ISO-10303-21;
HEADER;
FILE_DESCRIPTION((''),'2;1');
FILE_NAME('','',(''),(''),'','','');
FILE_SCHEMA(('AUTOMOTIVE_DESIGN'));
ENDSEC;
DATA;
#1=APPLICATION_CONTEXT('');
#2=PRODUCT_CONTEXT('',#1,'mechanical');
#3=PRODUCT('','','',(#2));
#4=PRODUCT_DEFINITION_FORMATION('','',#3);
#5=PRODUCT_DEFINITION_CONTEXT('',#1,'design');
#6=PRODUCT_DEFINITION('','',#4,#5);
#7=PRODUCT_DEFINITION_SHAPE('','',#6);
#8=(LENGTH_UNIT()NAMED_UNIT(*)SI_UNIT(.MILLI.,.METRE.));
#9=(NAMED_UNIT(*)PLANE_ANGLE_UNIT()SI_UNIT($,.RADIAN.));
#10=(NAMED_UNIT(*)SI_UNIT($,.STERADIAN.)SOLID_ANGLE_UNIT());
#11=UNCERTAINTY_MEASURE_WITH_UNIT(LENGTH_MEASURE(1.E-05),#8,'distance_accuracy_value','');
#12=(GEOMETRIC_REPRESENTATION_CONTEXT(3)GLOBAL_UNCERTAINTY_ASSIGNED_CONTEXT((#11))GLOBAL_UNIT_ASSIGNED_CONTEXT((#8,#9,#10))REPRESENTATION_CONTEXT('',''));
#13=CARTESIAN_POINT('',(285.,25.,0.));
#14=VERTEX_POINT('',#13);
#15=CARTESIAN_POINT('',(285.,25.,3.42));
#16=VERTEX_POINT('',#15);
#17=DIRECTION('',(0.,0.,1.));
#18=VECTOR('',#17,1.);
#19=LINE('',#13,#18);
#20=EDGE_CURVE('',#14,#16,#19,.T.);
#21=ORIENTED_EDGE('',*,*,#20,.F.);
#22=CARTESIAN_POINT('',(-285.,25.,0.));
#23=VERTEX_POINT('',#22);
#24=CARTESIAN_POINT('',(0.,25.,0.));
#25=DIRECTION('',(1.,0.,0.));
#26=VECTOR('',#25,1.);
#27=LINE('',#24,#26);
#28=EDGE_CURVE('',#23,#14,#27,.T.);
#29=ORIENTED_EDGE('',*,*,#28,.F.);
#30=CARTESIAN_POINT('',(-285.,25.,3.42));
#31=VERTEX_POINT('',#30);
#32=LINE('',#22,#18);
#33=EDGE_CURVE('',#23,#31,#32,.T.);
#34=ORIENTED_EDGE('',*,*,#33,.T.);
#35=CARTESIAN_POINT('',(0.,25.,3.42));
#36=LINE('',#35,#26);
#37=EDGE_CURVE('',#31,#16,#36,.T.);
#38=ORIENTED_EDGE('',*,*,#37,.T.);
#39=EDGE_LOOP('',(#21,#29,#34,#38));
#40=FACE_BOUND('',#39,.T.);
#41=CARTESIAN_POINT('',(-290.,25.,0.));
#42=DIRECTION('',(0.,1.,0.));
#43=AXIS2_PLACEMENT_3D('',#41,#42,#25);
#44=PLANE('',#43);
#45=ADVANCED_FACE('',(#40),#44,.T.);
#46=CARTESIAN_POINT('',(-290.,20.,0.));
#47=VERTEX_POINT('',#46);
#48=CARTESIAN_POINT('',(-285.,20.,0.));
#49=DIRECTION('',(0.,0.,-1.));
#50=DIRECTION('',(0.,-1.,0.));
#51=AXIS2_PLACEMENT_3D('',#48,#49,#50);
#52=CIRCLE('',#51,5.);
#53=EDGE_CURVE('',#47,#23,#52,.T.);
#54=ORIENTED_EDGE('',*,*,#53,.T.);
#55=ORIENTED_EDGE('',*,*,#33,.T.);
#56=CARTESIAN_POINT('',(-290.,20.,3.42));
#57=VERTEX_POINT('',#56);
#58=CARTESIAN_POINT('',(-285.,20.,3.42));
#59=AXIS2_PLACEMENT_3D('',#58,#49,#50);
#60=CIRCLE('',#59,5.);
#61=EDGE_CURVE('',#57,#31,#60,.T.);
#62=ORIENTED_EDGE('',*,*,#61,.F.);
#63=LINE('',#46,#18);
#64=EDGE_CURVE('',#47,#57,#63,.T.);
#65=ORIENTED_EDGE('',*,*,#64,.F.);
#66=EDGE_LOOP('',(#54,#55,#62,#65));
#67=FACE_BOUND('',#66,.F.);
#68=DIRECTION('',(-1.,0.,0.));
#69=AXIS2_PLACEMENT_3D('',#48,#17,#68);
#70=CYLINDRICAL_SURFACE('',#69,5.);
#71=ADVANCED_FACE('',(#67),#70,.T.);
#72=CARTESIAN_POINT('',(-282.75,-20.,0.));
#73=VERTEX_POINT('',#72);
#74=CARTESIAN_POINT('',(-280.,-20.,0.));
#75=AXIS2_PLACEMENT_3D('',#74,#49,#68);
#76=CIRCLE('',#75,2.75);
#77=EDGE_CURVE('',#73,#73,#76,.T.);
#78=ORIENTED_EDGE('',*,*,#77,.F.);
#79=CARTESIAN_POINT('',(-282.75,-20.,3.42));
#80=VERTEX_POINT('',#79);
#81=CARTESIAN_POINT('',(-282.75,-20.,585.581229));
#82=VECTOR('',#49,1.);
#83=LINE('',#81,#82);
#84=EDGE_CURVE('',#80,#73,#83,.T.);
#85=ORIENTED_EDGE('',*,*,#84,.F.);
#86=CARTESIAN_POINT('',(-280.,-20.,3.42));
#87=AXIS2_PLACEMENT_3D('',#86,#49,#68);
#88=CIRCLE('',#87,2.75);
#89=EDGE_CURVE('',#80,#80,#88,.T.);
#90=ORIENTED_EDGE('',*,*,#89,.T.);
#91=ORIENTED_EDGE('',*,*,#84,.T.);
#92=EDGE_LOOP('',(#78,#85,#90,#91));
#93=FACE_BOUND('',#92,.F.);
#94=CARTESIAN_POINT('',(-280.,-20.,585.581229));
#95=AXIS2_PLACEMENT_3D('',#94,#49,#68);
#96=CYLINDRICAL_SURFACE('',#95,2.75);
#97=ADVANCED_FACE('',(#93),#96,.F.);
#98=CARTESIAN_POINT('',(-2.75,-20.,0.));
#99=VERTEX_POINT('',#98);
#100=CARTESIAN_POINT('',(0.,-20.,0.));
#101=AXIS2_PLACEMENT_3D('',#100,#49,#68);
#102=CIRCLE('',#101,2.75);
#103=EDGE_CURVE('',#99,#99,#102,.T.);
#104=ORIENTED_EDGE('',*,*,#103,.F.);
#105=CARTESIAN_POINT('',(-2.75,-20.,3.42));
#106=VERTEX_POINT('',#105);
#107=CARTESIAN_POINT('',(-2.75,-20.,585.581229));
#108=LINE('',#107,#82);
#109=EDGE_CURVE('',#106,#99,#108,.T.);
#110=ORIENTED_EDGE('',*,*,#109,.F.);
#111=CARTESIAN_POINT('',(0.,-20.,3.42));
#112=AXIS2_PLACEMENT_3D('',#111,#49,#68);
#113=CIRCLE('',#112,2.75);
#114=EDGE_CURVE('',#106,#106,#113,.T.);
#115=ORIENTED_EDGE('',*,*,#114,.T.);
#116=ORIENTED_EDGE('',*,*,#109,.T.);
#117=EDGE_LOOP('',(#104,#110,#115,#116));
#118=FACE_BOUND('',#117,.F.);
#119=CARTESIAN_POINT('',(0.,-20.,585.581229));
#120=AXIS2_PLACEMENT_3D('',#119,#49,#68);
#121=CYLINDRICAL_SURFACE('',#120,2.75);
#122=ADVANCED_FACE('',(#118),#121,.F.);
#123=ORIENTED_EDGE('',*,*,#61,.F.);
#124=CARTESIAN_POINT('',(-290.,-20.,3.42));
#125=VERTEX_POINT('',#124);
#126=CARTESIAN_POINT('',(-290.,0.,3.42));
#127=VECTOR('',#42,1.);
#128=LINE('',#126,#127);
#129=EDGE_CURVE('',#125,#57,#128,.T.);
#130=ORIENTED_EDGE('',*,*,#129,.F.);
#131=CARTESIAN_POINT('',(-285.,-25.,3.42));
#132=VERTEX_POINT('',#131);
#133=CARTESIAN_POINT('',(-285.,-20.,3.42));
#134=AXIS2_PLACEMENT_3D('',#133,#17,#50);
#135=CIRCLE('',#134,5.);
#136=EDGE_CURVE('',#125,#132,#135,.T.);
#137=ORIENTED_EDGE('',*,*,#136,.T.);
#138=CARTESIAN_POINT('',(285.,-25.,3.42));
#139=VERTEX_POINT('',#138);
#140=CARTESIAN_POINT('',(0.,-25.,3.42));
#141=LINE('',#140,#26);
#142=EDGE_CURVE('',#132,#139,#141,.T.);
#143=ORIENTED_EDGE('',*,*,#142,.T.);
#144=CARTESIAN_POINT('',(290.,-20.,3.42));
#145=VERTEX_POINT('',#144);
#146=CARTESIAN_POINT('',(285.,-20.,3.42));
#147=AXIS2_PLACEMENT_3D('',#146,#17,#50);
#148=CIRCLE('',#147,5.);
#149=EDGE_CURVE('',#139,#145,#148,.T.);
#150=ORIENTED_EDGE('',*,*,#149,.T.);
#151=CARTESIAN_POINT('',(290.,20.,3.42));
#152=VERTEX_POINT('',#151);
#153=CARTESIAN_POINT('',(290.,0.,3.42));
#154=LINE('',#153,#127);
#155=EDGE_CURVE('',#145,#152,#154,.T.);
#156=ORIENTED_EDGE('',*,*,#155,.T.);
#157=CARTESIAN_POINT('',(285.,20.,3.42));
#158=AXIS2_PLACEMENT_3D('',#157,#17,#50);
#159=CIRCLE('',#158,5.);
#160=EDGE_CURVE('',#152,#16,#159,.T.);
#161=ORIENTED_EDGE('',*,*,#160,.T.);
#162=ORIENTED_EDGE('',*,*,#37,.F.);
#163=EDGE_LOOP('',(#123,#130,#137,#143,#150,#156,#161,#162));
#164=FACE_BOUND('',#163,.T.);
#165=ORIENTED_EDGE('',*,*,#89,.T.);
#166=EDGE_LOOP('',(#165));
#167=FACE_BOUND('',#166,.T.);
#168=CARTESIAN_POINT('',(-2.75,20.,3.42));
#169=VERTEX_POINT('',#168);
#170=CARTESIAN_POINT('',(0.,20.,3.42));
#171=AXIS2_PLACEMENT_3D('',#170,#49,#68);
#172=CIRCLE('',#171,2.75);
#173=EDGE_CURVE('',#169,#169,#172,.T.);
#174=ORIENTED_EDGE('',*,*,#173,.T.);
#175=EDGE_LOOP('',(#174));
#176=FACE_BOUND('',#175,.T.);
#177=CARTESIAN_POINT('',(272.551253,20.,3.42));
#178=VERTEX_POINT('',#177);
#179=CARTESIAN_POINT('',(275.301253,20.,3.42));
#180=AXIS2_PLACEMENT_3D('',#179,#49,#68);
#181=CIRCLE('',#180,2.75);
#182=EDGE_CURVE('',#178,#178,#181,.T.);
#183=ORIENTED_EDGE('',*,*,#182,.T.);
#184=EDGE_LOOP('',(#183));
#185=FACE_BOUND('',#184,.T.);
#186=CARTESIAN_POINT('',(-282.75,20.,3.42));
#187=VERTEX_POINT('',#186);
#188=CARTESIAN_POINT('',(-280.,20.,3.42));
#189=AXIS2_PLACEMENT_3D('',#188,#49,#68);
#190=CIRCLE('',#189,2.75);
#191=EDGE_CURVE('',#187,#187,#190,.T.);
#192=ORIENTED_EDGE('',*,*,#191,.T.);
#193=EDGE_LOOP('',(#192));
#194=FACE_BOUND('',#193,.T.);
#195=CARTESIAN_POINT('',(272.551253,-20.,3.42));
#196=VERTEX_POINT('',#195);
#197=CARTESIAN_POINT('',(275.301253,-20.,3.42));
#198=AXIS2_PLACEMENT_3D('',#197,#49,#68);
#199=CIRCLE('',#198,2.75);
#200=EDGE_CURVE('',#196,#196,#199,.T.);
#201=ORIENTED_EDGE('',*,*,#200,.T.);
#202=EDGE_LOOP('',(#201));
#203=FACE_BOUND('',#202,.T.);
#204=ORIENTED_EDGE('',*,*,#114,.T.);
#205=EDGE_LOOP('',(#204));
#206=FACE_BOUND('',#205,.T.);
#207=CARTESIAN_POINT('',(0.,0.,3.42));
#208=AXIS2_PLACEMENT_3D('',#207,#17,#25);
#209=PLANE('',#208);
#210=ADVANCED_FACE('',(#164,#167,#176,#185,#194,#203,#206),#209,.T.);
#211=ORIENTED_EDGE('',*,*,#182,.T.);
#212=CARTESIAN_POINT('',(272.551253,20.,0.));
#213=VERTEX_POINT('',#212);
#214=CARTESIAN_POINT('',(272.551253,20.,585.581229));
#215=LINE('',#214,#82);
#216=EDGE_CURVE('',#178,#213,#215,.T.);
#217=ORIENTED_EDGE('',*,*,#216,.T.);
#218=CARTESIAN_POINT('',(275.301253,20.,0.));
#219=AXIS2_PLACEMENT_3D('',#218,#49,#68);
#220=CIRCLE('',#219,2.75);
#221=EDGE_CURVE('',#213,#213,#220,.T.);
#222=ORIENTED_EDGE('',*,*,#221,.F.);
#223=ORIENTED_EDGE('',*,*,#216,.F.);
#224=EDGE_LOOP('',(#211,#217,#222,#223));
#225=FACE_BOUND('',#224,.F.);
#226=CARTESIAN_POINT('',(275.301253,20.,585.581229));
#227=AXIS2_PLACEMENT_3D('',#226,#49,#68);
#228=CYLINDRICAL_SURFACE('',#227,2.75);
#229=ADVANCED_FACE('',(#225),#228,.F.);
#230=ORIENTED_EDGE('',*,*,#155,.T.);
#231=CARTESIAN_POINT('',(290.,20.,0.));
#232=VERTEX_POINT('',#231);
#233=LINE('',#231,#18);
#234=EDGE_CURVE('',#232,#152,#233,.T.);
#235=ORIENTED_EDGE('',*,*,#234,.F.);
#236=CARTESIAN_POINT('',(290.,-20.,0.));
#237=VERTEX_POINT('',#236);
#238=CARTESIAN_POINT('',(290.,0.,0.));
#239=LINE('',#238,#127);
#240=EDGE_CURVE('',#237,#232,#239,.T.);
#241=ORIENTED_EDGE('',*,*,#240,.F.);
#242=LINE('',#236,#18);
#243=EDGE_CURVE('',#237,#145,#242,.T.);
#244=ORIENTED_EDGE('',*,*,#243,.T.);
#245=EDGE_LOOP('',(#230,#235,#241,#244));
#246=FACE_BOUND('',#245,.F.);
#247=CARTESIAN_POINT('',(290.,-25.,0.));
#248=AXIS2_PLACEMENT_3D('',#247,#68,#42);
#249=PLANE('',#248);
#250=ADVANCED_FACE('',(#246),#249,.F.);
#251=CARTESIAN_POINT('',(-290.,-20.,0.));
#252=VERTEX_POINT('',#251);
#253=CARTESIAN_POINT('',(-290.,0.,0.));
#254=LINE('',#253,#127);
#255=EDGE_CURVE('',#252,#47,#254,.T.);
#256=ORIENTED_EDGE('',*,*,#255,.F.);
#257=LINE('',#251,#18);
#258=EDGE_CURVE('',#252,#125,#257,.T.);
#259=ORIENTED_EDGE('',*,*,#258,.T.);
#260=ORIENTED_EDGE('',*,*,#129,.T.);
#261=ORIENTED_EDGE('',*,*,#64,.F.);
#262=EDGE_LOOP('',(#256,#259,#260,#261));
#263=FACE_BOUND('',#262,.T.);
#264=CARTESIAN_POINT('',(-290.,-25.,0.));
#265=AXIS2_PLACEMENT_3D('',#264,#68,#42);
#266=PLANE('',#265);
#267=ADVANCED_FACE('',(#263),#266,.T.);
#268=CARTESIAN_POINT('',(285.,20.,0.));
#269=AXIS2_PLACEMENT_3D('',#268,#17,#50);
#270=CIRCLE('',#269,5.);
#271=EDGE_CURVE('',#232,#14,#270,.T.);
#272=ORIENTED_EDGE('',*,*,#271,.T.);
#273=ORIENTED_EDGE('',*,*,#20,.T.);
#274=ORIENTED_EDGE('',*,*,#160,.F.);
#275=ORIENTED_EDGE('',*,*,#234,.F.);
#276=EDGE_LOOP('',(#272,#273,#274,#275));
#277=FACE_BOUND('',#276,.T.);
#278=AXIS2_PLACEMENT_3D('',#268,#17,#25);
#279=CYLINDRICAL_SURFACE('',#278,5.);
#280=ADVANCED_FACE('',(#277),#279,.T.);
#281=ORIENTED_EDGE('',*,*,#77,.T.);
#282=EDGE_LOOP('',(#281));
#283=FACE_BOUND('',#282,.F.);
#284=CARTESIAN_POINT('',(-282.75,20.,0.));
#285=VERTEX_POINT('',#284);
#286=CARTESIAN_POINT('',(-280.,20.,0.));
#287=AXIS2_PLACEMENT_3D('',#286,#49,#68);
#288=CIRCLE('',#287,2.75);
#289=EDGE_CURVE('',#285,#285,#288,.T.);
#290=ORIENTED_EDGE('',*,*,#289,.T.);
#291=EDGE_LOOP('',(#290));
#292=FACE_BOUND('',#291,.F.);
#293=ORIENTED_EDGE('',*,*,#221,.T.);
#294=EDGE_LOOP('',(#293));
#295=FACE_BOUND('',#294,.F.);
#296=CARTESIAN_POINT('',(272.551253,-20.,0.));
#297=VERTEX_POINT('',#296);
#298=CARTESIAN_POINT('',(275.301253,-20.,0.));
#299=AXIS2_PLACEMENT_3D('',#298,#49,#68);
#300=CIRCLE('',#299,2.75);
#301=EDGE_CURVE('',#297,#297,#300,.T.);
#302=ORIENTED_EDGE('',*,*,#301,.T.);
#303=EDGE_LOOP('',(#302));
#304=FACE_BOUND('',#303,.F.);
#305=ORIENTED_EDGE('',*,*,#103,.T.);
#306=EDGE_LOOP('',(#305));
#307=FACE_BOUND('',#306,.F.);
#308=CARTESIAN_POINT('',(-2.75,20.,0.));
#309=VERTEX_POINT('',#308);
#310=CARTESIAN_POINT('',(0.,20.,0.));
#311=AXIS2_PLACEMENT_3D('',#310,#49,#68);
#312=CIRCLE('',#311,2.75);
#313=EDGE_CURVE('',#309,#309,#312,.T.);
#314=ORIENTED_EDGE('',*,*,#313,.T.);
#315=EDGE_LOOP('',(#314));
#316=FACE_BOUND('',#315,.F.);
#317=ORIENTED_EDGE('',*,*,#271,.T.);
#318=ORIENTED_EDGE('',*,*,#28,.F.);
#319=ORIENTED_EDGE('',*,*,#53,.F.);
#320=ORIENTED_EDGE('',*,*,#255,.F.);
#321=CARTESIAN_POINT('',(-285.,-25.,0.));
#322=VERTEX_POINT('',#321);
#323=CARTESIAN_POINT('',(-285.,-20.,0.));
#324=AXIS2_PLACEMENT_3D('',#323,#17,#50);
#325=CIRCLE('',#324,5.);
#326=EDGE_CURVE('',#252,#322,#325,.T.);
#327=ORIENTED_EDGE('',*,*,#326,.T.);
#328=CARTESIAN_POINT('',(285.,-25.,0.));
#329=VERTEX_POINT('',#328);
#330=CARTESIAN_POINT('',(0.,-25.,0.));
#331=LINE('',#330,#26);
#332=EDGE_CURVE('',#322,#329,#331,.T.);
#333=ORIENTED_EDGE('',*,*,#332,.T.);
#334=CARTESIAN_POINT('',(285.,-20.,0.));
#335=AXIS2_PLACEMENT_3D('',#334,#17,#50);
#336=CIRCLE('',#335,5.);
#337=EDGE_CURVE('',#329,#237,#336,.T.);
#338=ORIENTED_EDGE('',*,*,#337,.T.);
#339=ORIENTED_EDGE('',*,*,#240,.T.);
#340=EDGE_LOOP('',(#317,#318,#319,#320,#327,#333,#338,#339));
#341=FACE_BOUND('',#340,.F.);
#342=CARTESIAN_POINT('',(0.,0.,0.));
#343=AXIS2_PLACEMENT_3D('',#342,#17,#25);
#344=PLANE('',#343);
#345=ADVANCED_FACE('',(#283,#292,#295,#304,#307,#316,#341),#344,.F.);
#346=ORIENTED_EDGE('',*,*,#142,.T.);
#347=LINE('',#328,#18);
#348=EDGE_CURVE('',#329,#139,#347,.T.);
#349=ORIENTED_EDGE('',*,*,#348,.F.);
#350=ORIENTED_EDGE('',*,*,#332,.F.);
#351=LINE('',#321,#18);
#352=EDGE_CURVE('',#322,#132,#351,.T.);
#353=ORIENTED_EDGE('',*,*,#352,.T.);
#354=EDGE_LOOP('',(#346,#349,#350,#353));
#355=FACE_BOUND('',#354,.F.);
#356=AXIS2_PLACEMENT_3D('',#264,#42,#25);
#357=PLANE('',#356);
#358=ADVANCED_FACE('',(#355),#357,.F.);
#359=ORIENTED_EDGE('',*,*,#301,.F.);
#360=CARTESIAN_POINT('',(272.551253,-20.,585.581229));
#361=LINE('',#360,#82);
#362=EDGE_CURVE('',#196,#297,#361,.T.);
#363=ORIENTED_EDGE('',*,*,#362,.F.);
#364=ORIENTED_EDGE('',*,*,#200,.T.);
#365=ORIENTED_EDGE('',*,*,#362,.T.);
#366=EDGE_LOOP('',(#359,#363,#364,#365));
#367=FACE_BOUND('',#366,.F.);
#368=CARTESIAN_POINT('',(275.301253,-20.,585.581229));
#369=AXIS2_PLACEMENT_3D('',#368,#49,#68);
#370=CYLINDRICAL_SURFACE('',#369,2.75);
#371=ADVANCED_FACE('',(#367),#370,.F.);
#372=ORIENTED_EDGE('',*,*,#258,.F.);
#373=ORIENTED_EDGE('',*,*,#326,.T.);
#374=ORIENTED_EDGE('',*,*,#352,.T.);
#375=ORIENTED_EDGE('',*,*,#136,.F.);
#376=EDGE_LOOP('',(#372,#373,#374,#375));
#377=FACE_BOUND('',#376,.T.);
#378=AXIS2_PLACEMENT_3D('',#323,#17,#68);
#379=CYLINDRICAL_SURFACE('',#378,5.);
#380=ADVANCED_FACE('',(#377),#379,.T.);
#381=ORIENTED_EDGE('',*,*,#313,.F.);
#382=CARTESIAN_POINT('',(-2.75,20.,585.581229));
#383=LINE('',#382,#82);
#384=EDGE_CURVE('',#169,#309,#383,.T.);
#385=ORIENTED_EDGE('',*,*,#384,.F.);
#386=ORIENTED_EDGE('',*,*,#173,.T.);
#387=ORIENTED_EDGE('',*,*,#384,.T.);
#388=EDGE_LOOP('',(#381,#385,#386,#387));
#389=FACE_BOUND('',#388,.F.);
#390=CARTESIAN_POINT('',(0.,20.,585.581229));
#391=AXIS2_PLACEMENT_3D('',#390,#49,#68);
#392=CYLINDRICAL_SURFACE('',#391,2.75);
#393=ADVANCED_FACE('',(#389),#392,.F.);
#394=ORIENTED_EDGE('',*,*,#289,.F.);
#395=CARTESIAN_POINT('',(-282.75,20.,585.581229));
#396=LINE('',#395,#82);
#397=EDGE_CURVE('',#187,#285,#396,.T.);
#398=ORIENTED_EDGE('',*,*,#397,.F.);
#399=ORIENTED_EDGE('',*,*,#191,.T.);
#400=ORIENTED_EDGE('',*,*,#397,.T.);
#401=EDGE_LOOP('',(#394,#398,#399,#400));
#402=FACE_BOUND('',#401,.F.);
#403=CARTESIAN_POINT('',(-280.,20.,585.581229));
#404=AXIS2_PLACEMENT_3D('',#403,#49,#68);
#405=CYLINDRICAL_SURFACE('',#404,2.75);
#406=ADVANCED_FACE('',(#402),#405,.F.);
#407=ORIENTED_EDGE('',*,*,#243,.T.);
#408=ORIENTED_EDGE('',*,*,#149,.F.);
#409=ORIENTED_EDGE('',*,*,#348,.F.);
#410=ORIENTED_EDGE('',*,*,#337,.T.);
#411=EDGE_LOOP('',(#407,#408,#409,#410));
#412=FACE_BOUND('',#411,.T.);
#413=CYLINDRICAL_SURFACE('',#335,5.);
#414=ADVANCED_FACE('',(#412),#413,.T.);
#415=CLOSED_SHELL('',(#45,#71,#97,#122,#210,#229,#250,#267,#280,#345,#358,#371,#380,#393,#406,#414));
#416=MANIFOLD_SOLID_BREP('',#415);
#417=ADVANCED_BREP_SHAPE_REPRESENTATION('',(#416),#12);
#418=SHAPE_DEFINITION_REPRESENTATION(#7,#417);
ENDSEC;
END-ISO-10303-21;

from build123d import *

# Parameters (mm, degrees)
F0_W     = 580
F0_H     = 50
F1_DEPTH = 3.42
F2_R     = 5
F4_D     = 5.5


with BuildPart() as f1:
    # F0 (on Top) → F1 (new body)
    with BuildSketch(Plane.XY):
        Rectangle(F0_W, F0_H)
    extrude(amount=F1_DEPTH)

    # F2
    f2_edges = [f1.edges().sort_by_distance(p)[0] for p in [
        (-290, 25, 1.71),
        (-290, -25, 1.71),
        (290, 25, 1.71),
        (290, -25, 1.71),
    ]]
    fillet(f2_edges, radius=F2_R)

    # F4 (through all)
    with Locations(Plane.XY.offset(3.42)):
        with Locations((-280, -20), (0, -20), (275.3012527625, -20), (275.3012527625, 20), (0, 20), (-280, 20)):
            Hole(F4_D / 2)


solid = f1.part
